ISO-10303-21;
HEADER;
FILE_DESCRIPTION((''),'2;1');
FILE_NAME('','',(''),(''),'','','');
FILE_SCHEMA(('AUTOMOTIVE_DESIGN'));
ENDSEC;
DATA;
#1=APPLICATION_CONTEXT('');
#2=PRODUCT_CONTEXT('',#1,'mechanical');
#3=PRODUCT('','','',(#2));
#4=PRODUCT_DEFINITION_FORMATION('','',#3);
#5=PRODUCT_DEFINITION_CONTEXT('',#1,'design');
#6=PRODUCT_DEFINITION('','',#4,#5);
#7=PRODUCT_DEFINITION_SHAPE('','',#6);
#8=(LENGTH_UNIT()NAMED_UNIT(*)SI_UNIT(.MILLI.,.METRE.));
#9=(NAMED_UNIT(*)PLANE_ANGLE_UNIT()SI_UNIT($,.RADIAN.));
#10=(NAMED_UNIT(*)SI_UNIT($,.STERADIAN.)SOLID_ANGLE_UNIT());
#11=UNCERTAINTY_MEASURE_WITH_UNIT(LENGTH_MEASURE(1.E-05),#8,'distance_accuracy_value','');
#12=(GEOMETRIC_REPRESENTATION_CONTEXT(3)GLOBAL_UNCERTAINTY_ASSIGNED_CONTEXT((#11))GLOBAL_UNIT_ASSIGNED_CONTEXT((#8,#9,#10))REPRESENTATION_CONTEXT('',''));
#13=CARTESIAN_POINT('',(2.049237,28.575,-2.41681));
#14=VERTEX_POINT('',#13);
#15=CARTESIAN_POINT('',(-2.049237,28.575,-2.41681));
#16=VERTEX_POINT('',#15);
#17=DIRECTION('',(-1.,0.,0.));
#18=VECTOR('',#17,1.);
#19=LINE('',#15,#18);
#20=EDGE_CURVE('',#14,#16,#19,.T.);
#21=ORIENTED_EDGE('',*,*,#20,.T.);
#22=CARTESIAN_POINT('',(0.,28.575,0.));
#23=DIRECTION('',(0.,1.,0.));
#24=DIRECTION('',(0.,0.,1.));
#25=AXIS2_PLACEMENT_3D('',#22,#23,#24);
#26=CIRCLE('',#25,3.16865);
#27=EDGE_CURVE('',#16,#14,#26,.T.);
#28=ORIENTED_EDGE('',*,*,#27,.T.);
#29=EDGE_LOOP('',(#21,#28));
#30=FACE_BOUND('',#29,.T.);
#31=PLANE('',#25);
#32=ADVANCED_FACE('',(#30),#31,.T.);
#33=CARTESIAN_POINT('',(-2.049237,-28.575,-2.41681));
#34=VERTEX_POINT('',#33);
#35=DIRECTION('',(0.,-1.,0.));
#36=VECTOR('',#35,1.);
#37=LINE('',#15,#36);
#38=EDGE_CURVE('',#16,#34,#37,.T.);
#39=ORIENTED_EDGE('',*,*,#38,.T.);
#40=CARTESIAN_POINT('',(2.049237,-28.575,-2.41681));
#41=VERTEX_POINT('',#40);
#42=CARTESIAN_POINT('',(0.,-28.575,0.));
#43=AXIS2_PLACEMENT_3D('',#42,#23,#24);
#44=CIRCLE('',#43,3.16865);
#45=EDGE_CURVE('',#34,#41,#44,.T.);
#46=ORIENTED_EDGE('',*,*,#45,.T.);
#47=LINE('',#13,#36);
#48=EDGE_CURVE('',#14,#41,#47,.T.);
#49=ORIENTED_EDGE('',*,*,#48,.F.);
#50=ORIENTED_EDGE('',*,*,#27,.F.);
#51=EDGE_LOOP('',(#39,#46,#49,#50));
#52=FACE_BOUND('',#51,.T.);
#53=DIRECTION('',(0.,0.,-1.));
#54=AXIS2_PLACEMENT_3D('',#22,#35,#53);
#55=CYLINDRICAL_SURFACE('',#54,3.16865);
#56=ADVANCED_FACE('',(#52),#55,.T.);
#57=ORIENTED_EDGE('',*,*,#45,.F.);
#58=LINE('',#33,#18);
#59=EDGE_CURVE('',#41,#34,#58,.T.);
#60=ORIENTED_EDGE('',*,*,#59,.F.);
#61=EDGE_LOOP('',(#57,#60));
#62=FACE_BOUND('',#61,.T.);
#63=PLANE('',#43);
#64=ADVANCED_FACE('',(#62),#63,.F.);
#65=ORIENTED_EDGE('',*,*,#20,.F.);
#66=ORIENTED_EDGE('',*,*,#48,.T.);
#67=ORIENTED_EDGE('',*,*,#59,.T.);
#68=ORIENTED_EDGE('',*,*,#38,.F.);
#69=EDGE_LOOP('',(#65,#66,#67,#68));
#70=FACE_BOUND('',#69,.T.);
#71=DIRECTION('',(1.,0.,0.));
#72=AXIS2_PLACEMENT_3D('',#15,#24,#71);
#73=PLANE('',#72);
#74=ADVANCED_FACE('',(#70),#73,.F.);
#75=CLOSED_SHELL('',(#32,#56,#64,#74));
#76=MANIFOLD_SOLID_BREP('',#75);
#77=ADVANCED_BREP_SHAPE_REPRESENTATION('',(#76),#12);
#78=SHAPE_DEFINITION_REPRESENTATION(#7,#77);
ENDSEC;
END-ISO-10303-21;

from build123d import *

# Parameters (mm, degrees)
BOSS_EXTRUDE1_DEPTH = 28.575


with BuildPart() as part:
    # Sketch1 → Boss-Extrude1 (new body, symmetric)
    with BuildSketch(Plane(origin=(0, 0, 0), x_dir=(1, 0, 0), z_dir=(0, 1, 0))):
        with BuildLine():
            Line((-2.049236991, 2.41681), (2.049236991, 2.41681))
            ThreePointArc((2.049236991, 2.41681), (0, -3.16865), (-2.049236991, 2.41681))
        make_face()
    extrude(amount=BOSS_EXTRUDE1_DEPTH, both=True)


solid = part.part
